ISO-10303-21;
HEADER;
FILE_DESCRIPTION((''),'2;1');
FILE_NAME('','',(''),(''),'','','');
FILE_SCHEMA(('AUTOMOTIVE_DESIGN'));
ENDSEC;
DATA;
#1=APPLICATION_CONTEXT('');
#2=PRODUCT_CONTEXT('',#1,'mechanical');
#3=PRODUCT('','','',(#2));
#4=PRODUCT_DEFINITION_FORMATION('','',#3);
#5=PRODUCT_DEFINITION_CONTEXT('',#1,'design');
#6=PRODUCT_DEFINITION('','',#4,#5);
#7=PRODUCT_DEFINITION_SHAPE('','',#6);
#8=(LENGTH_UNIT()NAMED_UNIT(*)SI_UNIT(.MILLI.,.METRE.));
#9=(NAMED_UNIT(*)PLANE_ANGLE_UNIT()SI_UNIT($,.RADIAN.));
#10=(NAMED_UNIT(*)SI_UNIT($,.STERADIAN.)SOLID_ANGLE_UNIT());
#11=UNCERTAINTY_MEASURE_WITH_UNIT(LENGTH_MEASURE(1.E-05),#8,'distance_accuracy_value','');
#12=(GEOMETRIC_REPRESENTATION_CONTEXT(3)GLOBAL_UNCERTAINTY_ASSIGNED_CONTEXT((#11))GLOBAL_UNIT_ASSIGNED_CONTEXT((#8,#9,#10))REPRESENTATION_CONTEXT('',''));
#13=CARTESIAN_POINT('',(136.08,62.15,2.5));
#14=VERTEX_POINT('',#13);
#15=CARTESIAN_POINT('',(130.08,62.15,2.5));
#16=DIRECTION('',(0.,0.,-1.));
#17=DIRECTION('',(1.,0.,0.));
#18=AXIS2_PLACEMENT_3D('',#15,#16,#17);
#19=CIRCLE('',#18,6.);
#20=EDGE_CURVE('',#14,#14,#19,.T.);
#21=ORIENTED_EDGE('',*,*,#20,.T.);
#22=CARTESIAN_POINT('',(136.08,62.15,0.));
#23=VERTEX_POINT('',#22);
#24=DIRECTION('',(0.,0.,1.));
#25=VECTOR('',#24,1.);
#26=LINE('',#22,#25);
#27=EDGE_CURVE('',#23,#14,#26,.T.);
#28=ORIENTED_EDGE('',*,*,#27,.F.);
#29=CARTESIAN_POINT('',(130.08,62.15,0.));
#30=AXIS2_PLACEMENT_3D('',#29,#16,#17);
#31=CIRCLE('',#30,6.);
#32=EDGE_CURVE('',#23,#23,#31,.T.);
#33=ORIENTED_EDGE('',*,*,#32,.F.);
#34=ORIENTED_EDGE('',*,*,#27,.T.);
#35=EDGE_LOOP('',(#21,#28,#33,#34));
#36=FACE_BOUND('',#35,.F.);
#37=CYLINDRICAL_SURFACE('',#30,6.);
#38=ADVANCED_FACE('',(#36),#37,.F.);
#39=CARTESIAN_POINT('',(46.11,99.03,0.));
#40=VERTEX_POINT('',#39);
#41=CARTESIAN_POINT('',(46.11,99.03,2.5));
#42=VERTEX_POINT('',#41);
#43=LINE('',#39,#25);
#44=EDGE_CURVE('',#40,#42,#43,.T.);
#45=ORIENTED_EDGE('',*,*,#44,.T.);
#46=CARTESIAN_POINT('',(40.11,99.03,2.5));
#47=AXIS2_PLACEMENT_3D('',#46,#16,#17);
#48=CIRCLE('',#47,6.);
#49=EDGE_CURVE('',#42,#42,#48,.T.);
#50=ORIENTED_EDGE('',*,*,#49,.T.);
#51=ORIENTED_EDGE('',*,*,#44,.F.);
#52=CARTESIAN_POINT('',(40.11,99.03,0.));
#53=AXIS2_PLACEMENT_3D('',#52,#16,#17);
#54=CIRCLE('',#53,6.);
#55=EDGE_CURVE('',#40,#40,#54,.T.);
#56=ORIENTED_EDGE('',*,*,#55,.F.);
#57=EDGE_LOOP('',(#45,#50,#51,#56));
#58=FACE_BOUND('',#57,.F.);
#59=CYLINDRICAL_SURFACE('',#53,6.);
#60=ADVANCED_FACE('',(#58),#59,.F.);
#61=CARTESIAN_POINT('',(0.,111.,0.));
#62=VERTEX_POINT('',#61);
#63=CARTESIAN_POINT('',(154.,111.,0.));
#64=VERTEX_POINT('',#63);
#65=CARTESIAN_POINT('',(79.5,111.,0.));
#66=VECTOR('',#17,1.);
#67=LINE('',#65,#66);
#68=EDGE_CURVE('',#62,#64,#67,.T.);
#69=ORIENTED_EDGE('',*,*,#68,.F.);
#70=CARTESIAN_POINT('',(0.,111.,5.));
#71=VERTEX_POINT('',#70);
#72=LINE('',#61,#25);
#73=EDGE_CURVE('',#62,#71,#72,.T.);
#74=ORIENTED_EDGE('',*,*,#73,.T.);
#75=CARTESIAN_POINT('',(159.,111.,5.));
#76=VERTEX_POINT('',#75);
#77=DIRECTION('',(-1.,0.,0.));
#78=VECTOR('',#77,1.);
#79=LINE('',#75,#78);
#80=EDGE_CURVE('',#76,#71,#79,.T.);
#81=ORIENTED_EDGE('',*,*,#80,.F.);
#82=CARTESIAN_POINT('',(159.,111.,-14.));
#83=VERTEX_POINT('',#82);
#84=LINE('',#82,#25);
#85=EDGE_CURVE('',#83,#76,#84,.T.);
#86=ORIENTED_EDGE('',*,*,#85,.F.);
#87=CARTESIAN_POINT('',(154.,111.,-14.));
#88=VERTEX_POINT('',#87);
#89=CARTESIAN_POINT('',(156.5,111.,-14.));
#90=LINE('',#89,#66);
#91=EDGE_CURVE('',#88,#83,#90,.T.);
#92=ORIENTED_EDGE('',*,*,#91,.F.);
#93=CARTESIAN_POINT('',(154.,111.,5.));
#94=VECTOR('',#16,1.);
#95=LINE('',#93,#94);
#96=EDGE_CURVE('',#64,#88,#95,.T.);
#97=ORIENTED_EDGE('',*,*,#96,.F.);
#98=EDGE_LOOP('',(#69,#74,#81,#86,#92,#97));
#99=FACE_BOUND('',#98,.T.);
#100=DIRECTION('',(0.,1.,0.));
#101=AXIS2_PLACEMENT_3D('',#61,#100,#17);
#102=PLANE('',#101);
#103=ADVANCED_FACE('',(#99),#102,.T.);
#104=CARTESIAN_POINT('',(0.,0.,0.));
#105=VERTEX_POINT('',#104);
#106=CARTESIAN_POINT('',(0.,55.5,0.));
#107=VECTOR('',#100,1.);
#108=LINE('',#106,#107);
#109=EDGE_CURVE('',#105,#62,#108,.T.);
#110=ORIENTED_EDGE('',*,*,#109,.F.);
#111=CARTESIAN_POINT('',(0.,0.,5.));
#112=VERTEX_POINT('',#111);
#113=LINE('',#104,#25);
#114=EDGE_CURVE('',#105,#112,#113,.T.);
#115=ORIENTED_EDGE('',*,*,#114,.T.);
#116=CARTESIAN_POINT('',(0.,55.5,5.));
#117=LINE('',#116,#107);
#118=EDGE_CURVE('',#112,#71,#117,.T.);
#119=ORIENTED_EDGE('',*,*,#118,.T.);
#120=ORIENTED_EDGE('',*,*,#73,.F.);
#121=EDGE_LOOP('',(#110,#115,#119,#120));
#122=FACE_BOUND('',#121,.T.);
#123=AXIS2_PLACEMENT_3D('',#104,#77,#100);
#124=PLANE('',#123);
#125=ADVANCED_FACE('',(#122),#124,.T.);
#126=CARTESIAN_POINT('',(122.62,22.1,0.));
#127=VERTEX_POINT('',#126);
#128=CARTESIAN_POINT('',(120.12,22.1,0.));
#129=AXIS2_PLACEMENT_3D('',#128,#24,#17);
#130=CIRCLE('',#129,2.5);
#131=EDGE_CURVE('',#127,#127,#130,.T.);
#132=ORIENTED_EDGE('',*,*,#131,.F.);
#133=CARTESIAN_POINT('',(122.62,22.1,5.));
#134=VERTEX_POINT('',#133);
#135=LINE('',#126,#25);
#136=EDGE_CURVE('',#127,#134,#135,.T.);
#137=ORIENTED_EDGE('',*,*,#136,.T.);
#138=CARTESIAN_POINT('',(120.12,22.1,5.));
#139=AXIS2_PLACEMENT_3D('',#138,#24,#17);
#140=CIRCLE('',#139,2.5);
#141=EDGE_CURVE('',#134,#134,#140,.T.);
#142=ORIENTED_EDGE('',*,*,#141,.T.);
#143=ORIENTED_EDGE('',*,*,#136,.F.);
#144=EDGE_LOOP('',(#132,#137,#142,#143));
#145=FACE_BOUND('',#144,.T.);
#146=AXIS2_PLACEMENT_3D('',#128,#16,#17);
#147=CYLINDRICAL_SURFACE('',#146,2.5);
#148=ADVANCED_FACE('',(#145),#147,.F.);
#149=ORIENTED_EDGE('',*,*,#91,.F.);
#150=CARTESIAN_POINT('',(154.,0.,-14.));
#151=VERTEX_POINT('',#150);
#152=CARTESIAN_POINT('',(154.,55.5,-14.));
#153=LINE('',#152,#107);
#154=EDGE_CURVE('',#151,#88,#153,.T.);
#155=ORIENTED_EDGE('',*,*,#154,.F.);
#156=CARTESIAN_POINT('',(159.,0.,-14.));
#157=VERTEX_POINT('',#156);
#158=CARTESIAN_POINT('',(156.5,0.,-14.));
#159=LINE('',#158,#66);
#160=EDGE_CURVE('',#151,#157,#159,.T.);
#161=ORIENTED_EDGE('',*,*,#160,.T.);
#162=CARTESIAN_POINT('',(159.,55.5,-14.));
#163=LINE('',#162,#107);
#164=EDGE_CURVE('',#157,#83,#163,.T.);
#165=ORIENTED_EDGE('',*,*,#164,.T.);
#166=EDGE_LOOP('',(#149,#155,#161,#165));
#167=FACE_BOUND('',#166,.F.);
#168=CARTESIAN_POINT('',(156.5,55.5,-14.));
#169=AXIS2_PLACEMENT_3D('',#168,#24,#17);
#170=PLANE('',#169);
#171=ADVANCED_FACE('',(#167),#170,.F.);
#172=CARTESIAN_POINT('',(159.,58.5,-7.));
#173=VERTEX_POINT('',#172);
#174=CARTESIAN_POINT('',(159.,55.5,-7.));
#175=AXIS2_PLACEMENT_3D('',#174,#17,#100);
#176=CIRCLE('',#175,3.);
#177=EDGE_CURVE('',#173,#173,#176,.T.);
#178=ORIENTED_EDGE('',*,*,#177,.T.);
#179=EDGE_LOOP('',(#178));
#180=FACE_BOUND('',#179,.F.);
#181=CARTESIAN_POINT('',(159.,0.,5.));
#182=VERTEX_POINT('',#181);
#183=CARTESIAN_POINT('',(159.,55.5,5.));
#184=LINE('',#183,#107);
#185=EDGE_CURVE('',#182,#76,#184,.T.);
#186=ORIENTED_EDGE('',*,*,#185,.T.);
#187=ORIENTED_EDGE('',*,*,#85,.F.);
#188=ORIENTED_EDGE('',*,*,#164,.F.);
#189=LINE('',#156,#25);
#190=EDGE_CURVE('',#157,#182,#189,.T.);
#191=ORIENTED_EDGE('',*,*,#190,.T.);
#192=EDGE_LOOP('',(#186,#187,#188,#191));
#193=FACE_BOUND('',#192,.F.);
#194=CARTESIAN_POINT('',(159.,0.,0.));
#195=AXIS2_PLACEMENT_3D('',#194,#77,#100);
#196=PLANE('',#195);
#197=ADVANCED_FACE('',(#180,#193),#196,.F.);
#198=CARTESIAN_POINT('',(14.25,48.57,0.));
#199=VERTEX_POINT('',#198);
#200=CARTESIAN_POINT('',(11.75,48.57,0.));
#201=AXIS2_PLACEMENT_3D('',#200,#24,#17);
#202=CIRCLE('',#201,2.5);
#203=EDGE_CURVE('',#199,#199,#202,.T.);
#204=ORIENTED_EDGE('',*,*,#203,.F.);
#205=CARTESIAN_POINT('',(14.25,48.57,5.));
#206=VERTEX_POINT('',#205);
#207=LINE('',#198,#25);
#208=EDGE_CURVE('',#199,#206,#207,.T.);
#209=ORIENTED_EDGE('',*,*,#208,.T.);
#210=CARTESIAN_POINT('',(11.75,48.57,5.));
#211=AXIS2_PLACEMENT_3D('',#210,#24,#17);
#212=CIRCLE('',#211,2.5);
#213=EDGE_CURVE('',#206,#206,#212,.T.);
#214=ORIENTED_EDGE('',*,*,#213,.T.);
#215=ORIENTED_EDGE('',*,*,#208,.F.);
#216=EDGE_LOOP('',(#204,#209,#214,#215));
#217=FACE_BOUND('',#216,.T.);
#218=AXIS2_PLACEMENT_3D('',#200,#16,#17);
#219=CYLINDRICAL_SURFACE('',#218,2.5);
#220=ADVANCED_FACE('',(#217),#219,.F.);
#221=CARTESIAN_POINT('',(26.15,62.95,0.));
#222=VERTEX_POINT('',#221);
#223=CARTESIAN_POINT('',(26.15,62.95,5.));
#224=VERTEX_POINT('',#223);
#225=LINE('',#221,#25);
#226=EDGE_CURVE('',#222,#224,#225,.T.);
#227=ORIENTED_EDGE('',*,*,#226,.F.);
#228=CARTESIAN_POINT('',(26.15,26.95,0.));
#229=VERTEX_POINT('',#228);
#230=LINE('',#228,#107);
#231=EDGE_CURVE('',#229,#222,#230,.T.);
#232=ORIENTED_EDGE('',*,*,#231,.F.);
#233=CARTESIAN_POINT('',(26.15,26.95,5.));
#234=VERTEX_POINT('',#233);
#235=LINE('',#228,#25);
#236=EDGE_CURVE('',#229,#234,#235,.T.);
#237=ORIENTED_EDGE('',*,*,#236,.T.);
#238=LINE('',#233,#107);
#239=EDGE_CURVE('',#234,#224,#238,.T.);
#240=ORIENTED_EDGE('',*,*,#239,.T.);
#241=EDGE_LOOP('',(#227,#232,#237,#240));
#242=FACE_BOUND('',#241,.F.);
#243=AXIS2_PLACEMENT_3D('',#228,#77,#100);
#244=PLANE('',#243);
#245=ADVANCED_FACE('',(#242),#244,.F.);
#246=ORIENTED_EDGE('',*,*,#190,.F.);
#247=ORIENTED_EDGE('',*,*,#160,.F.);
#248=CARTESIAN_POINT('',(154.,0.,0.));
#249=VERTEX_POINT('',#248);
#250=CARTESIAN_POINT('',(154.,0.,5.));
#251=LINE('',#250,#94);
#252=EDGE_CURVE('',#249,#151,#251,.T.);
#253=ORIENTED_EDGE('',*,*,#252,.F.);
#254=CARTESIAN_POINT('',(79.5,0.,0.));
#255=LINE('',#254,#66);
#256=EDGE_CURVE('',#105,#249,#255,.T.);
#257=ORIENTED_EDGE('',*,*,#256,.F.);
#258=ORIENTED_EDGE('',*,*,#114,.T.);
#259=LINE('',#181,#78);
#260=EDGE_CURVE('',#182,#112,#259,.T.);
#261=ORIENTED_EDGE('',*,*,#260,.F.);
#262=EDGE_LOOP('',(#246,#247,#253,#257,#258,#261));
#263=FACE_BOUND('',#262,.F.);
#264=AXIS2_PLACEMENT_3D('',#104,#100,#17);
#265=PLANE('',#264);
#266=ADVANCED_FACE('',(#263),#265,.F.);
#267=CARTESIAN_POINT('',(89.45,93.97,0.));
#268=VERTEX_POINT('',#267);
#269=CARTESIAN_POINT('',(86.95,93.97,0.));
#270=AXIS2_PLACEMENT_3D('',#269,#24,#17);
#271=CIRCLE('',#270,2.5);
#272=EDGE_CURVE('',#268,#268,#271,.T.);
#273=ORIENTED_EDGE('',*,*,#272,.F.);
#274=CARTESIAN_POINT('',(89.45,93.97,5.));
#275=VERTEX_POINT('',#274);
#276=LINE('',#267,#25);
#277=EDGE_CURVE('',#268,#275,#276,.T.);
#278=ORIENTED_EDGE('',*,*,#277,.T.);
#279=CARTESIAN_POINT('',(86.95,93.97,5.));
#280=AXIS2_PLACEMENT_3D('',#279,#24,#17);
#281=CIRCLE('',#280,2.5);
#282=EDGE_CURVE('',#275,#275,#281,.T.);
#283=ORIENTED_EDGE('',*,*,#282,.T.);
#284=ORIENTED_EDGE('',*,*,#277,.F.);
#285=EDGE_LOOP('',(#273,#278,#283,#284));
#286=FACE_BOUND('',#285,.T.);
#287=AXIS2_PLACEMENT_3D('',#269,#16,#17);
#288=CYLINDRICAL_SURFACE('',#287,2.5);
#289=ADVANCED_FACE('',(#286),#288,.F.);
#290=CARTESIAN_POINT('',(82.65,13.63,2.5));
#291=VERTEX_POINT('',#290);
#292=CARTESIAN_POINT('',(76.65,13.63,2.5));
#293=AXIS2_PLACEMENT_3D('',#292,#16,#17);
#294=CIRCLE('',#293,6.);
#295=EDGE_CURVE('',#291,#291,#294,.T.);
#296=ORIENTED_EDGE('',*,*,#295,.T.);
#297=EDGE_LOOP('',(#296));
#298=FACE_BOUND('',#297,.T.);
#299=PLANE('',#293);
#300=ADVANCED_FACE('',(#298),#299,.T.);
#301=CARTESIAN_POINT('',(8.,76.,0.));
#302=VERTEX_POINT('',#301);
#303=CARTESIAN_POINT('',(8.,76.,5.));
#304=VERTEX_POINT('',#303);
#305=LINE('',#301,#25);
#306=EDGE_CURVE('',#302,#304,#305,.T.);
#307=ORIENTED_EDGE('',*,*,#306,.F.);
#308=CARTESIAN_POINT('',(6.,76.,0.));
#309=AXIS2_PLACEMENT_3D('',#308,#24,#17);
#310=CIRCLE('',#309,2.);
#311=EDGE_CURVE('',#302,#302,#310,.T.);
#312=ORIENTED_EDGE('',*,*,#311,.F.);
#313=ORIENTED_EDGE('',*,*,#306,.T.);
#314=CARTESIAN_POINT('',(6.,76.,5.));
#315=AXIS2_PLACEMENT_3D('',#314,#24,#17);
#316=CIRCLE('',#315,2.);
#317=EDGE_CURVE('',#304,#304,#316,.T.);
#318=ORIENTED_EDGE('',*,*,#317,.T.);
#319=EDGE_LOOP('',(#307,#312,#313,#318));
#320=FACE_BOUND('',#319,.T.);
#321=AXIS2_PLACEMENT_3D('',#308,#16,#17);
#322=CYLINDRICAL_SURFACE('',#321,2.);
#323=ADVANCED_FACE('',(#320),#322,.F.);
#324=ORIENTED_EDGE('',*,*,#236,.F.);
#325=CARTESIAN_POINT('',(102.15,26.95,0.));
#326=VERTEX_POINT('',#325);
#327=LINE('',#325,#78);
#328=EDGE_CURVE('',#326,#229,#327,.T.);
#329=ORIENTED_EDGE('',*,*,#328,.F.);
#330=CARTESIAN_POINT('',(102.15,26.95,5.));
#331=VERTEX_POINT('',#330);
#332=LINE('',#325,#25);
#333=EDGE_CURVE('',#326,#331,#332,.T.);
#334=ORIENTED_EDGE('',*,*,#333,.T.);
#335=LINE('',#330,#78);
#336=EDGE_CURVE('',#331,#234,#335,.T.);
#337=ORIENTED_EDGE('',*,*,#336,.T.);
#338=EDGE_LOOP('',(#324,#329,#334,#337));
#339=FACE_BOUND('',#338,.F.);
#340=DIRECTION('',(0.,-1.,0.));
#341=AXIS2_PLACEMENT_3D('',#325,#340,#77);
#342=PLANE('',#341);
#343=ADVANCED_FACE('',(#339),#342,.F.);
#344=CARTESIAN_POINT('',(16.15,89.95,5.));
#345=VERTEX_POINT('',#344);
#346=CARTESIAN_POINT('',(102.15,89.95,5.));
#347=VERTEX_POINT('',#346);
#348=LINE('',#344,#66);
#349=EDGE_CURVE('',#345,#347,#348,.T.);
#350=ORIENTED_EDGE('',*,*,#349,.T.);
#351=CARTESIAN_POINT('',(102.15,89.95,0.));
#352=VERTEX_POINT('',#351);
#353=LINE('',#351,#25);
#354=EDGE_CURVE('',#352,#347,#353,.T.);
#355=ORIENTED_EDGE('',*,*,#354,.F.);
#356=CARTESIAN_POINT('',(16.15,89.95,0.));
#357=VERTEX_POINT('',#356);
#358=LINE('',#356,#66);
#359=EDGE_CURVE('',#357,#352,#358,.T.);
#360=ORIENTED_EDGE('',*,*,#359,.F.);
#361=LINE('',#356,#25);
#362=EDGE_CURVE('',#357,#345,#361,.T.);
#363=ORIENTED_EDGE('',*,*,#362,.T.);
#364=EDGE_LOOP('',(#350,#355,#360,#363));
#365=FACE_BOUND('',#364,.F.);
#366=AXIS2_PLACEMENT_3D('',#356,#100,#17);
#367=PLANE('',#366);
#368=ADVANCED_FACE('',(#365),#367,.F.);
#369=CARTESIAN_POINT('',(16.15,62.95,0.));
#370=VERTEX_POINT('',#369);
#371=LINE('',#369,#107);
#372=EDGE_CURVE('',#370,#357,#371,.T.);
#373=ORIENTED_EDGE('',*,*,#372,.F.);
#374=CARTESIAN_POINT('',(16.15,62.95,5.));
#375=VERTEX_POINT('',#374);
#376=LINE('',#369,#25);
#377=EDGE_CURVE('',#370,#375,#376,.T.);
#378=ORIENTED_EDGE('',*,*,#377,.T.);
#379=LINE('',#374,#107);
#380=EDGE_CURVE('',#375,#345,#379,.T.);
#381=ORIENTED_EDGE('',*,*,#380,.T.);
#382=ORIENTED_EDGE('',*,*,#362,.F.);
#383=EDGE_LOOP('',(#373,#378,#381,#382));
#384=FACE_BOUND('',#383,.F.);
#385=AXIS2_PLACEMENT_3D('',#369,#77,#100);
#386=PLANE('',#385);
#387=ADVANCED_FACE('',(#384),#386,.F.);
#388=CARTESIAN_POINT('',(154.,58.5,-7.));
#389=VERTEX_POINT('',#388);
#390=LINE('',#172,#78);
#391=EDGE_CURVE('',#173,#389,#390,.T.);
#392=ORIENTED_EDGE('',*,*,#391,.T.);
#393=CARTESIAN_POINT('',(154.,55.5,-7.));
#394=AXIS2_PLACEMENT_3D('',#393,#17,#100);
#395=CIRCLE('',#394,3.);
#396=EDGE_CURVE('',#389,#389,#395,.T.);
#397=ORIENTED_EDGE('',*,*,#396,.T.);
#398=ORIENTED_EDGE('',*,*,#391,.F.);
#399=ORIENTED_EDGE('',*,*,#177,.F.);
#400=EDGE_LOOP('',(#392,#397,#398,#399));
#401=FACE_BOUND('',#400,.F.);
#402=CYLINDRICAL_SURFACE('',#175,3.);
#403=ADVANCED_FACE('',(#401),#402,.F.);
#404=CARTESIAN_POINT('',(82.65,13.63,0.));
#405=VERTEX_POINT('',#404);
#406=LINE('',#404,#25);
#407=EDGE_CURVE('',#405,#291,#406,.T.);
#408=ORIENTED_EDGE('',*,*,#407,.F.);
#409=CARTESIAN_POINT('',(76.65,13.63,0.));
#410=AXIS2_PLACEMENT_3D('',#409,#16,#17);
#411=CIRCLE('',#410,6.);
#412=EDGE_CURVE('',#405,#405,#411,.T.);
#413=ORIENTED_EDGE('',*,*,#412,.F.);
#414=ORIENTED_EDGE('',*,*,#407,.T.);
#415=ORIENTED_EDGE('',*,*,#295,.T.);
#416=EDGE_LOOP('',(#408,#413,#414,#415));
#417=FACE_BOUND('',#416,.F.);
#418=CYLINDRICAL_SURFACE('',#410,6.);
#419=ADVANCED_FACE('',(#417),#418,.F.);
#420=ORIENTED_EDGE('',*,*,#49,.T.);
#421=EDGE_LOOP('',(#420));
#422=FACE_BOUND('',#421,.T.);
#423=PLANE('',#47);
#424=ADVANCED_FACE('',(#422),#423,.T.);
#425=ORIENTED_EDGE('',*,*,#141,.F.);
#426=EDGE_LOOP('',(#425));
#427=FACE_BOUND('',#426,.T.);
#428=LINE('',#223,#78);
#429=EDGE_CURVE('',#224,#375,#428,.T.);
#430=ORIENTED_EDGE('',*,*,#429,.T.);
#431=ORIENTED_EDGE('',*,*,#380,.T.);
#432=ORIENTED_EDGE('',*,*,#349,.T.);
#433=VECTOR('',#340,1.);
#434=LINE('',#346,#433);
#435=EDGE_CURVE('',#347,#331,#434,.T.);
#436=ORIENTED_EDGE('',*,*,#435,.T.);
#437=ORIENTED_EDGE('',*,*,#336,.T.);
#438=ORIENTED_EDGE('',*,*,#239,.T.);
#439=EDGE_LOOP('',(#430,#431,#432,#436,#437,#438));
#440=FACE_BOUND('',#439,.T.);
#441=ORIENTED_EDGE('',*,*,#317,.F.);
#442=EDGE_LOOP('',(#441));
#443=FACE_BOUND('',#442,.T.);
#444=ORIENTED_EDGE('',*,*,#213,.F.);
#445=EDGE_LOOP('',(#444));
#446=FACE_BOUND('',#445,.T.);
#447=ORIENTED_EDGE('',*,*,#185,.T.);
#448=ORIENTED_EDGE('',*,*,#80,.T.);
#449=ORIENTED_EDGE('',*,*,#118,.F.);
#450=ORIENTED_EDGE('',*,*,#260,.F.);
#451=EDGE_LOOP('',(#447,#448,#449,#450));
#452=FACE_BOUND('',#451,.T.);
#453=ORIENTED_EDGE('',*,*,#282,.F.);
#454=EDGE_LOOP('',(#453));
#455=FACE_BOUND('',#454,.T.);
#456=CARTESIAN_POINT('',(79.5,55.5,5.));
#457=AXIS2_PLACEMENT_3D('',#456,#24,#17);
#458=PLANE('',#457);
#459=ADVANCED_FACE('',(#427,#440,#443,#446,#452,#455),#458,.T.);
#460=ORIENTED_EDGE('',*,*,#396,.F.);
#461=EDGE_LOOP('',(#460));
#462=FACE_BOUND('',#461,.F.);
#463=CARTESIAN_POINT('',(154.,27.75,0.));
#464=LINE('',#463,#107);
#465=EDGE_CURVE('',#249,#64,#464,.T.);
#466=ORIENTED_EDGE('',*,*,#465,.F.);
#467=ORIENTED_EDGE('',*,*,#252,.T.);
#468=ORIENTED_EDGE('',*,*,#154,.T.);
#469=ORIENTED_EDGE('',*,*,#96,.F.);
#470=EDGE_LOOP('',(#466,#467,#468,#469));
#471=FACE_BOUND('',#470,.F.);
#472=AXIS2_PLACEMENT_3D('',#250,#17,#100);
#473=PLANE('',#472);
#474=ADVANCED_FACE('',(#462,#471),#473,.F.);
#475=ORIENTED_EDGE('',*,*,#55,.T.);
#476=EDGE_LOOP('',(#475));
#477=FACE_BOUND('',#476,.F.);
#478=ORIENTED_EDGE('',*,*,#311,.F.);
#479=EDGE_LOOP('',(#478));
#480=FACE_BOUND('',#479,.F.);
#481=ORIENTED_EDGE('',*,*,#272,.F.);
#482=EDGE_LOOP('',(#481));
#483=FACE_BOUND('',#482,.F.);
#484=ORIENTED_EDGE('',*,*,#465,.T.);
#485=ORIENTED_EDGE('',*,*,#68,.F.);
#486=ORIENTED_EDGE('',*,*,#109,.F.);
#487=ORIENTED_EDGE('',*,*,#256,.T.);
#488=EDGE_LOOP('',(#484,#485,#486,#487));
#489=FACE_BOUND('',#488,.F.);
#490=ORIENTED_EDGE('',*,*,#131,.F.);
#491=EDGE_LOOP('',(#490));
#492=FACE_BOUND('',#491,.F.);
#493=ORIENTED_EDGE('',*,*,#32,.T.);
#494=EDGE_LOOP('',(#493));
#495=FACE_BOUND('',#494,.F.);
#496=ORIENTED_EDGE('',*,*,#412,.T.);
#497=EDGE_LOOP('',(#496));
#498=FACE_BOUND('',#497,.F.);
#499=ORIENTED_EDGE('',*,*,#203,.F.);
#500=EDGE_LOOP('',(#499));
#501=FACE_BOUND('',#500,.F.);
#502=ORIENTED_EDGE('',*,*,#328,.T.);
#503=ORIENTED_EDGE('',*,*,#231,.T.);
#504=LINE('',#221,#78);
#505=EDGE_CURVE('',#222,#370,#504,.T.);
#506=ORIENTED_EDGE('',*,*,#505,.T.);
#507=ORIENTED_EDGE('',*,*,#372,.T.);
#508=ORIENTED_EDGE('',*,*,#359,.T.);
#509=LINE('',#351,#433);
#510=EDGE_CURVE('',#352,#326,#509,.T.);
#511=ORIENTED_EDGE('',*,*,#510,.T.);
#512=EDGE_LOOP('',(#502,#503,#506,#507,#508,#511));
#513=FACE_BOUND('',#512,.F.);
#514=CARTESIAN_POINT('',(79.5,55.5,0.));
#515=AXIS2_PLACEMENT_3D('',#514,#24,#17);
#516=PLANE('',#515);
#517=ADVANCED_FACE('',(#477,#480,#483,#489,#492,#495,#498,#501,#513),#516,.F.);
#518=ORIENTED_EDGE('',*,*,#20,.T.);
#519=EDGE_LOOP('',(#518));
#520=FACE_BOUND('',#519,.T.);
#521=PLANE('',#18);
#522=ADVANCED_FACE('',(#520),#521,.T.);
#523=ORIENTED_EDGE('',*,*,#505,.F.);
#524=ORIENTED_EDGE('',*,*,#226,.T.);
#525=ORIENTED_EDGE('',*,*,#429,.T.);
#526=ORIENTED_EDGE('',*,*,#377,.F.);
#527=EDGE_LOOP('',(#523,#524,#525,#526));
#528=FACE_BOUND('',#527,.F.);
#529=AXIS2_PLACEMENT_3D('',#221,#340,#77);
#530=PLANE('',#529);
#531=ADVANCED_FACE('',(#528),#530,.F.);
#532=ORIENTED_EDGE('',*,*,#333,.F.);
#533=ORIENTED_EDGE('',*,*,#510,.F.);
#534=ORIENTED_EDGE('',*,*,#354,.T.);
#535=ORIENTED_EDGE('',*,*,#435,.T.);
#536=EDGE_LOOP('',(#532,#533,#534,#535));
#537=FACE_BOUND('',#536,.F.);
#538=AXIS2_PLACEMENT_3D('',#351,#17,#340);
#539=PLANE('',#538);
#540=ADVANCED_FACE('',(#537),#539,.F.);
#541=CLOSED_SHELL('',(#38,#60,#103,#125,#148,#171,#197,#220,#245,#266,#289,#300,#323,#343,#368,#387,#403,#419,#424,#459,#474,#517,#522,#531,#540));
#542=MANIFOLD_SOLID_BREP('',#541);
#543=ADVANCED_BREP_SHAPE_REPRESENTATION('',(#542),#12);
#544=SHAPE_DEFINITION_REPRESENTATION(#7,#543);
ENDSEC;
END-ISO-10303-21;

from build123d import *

# Parameters (mm, degrees)
F0_W     = 159
F0_H     = 111
F0_R     = 2.5
F0_R_2   = 2
F1_DEPTH = 5
F2_W     = 5
F2_H     = 111
F3_DEPTH = 19
F4_R     = 3
F5_DEPTH = 5
F6_R     = 6
F7_DEPTH = 2.5


with BuildPart() as f1:
    # F0 (on Top) → F1 (new body)
    with BuildSketch(Plane.XY):
        with Locations((79.5, 55.5)):
            Rectangle(F0_W, F0_H)
        with Locations((11.75, 48.57)):
            Circle(F0_R, mode=Mode.SUBTRACT)
        with Locations((120.12, 22.1)):
            Circle(F0_R, mode=Mode.SUBTRACT)
        with Locations((6, 76)):
            Circle(F0_R_2, mode=Mode.SUBTRACT)
        Polygon((16.15, 62.95), (16.15, 89.95), (102.15, 89.95), (102.15, 26.95), (26.15, 26.95), (26.15, 62.95), align=None, mode=Mode.SUBTRACT)
        with Locations((86.95, 93.97)):
            Circle(F0_R, mode=Mode.SUBTRACT)
    extrude(amount=F1_DEPTH)

    # F2 (on face) → F3 (join)
    with BuildSketch(Plane.XY.offset(5)):
        with Locations((156.5, 55.5)):
            Rectangle(F2_W, F2_H)
    extrude(amount=-F3_DEPTH)

    # F4 (on face) → F5 (cut)
    with BuildSketch(Plane.YZ.offset(159)):
        with Locations((55.5, -7)):
            Circle(F4_R)
    extrude(amount=-F5_DEPTH, mode=Mode.SUBTRACT)

    # F6 (on face) → F7 (cut)
    with BuildSketch(Plane(origin=(0, 0, 0), x_dir=(1, 0, 0), z_dir=(0, 0, -1))):
        with Locations((76.65, -13.63)):
            Circle(F6_R)
        with Locations((130.08, -62.15)):
            Circle(F6_R)
        with Locations((40.11, -99.03)):
            Circle(F6_R)
    extrude(amount=-F7_DEPTH, mode=Mode.SUBTRACT)


solid = f1.part
